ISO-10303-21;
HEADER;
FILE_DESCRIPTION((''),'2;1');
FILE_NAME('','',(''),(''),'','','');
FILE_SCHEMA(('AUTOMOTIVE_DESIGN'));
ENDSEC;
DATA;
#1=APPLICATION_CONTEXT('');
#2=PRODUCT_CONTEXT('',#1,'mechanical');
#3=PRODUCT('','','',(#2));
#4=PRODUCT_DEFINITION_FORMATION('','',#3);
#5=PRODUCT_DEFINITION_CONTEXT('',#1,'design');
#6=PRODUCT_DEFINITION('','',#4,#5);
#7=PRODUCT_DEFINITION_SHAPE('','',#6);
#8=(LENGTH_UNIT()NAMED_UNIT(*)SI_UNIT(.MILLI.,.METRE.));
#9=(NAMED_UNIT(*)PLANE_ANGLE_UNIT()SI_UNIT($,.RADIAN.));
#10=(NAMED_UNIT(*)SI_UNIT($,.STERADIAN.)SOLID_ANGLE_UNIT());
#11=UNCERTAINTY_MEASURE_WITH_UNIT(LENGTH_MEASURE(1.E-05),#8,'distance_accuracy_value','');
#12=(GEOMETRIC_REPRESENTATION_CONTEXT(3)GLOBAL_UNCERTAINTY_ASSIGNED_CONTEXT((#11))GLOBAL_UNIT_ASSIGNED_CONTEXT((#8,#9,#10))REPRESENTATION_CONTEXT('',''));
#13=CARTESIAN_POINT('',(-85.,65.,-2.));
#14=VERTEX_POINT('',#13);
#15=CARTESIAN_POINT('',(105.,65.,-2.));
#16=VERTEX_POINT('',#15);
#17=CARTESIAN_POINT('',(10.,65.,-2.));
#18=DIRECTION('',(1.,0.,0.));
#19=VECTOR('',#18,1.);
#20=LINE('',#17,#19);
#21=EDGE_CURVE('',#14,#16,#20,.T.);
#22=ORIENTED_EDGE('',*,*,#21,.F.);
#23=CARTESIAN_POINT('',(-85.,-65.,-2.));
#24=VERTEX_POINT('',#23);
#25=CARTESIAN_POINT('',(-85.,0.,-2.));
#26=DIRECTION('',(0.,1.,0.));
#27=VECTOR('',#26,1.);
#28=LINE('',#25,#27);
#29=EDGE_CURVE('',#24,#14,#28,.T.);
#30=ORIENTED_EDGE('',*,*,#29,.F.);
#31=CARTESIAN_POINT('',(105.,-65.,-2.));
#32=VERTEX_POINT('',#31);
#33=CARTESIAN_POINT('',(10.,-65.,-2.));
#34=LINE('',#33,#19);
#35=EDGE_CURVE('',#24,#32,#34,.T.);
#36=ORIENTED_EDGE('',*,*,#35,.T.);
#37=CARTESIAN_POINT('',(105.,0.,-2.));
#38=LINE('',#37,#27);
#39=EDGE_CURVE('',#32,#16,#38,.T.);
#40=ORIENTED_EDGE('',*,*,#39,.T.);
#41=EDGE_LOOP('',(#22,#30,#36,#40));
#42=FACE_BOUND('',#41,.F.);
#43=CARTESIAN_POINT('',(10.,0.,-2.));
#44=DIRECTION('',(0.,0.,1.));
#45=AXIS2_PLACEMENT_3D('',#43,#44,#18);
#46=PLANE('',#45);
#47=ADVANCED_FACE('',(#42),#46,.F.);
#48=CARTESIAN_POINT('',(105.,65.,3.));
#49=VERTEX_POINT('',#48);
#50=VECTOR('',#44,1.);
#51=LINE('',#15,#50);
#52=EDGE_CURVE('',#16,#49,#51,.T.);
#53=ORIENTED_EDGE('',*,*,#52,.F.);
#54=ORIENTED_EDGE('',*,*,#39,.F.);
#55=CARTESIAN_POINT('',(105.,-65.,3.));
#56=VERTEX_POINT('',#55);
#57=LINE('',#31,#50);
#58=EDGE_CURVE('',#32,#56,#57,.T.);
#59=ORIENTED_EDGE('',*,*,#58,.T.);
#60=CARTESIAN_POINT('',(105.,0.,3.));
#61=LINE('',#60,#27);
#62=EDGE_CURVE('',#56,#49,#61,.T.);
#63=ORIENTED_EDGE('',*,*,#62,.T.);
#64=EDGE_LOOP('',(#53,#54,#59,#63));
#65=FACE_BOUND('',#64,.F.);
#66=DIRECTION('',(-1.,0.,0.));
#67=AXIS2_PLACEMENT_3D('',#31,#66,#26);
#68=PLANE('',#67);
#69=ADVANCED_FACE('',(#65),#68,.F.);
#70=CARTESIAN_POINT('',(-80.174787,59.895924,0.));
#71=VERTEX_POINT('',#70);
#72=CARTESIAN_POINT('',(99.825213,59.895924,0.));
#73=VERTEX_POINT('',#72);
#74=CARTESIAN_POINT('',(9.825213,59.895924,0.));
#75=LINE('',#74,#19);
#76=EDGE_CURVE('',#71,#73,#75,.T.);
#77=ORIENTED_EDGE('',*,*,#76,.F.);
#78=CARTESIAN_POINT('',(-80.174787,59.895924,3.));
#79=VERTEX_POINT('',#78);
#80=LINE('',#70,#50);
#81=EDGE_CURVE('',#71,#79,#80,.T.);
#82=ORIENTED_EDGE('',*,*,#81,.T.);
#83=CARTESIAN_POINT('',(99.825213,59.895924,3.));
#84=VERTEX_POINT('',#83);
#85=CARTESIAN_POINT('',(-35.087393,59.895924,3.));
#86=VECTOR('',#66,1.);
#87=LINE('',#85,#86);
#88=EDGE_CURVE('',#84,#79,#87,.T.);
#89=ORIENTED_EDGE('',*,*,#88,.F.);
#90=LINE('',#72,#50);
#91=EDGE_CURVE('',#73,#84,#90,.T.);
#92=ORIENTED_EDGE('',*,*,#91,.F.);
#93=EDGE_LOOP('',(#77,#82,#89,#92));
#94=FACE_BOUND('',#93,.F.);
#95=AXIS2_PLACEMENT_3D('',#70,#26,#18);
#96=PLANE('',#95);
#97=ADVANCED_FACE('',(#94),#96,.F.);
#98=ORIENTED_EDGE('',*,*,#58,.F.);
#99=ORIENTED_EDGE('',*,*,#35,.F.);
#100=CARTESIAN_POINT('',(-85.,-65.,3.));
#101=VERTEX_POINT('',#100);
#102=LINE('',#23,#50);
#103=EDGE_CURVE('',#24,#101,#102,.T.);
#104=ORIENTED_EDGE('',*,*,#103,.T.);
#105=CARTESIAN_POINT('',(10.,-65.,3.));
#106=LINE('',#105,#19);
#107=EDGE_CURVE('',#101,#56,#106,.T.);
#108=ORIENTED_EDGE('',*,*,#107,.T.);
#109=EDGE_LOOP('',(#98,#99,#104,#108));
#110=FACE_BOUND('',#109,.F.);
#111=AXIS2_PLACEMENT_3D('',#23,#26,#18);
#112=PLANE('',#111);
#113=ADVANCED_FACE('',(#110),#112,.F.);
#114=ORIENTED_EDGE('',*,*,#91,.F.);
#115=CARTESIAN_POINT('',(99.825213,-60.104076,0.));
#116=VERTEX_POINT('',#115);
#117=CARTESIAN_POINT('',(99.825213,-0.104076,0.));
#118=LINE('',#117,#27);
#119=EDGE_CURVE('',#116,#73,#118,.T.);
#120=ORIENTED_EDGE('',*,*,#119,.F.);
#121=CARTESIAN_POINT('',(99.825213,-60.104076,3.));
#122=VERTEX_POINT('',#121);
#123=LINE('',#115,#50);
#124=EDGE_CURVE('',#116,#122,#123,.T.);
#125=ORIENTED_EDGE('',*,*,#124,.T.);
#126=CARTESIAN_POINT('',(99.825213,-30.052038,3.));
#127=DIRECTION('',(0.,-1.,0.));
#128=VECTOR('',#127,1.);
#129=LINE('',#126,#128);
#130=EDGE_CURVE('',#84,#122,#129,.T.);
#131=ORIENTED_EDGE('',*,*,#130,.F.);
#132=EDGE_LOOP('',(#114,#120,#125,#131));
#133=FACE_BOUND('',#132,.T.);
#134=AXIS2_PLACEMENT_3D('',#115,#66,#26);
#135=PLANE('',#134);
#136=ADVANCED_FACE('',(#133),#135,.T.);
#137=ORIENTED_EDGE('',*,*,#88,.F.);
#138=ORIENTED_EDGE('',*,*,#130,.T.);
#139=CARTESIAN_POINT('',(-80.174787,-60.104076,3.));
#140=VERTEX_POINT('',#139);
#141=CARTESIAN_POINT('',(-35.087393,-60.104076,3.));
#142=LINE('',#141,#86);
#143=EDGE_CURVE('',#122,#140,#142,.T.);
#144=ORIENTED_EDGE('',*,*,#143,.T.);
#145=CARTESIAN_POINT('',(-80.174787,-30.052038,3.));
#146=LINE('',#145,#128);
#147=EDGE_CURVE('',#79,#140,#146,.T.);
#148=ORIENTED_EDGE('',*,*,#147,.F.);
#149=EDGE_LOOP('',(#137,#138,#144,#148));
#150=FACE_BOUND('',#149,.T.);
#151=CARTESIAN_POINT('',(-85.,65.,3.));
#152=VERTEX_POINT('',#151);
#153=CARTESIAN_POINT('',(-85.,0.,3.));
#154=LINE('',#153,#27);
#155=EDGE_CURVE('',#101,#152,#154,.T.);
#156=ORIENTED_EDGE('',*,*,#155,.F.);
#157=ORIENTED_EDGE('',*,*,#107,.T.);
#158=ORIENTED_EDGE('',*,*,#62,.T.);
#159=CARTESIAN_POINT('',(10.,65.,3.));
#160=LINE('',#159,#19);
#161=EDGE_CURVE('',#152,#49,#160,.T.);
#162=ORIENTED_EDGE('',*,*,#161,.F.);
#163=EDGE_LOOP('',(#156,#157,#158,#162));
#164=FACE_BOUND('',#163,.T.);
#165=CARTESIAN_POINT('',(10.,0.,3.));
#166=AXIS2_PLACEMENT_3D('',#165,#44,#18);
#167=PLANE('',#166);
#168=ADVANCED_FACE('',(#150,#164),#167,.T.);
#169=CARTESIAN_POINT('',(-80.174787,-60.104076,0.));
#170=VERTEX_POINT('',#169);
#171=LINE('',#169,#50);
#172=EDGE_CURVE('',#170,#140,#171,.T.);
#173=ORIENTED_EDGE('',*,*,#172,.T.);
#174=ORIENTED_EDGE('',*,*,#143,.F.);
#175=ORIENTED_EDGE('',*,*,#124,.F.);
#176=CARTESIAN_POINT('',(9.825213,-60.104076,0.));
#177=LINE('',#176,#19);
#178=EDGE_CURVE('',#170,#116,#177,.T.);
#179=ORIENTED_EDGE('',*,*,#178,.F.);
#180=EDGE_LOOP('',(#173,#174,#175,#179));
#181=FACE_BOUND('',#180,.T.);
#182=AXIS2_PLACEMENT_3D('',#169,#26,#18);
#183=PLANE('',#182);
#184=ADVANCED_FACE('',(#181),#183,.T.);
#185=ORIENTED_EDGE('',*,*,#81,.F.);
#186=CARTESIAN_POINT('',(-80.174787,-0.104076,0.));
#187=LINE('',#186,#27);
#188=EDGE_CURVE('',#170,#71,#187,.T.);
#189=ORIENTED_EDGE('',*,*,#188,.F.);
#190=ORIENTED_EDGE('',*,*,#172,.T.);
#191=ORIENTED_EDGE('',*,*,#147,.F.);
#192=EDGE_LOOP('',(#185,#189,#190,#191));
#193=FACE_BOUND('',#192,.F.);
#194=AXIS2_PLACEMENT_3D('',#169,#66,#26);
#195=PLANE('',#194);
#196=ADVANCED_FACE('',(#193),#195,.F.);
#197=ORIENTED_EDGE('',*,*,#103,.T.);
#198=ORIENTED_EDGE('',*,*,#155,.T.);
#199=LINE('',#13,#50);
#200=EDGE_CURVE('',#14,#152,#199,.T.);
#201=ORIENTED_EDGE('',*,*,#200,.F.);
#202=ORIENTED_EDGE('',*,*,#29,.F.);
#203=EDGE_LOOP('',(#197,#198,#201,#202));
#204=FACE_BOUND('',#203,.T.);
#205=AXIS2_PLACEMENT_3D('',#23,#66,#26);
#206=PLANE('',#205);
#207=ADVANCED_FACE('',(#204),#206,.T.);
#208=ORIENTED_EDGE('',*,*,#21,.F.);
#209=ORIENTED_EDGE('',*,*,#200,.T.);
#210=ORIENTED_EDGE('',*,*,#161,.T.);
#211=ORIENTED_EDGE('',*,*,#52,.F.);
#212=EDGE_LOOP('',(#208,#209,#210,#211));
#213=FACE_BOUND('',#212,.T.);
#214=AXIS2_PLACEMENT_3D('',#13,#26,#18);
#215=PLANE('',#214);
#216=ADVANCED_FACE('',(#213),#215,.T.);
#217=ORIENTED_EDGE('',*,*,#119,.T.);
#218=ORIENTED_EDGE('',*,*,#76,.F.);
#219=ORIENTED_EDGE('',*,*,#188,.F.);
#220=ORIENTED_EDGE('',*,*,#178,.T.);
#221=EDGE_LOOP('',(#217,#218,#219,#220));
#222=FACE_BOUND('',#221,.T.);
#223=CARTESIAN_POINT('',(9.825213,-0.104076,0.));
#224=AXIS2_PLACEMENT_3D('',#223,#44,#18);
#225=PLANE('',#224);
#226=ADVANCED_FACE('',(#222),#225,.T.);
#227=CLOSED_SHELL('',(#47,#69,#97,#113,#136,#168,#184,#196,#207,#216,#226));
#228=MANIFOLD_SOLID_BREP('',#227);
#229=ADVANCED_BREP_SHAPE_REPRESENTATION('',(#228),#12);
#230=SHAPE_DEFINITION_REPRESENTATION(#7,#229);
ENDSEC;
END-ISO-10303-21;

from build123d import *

# Parameters (mm, degrees)
SKETCH_W     = 160
SKETCH_H     = 100
PAD_DEPTH    = 2
SKETCH001_W  = 180
SKETCH001_H  = 120
PAD001_DEPTH = 5
SKETCH006_W  = 190
SKETCH006_H  = 130
PAD006_DEPTH = 5


with BuildPart() as pcb:
    # Sketch → Pad (new body)
    with BuildSketch(Plane(origin=(-1, 1, 3), x_dir=(1, 0, 0), z_dir=(0, 0, 1))):
        with Locations((11.269221, -1.548084)):
            Rectangle(SKETCH_W, SKETCH_H)
    extrude(amount=PAD_DEPTH)


with BuildPart() as portapcb001:
    # Sketch001 → Pad001 (new body)
    with BuildSketch(Plane.XY):
        with Locations((9.825213, -0.104076)):
            Rectangle(SKETCH001_W, SKETCH001_H)
    extrude(amount=PAD001_DEPTH)

    # Cut001: cut PCB
    add(pcb.part, mode=Mode.SUBTRACT)


with BuildPart() as base:
    # Sketch006 → Pad006 (new body)
    with BuildSketch(Plane.XY.offset(-2)):
        with Locations((10, 0)):
            Rectangle(SKETCH006_W, SKETCH006_H)
    extrude(amount=PAD006_DEPTH)

    # Cut002: cut PortaPCB001
    add(portapcb001.part, mode=Mode.SUBTRACT)


solid = base.part
